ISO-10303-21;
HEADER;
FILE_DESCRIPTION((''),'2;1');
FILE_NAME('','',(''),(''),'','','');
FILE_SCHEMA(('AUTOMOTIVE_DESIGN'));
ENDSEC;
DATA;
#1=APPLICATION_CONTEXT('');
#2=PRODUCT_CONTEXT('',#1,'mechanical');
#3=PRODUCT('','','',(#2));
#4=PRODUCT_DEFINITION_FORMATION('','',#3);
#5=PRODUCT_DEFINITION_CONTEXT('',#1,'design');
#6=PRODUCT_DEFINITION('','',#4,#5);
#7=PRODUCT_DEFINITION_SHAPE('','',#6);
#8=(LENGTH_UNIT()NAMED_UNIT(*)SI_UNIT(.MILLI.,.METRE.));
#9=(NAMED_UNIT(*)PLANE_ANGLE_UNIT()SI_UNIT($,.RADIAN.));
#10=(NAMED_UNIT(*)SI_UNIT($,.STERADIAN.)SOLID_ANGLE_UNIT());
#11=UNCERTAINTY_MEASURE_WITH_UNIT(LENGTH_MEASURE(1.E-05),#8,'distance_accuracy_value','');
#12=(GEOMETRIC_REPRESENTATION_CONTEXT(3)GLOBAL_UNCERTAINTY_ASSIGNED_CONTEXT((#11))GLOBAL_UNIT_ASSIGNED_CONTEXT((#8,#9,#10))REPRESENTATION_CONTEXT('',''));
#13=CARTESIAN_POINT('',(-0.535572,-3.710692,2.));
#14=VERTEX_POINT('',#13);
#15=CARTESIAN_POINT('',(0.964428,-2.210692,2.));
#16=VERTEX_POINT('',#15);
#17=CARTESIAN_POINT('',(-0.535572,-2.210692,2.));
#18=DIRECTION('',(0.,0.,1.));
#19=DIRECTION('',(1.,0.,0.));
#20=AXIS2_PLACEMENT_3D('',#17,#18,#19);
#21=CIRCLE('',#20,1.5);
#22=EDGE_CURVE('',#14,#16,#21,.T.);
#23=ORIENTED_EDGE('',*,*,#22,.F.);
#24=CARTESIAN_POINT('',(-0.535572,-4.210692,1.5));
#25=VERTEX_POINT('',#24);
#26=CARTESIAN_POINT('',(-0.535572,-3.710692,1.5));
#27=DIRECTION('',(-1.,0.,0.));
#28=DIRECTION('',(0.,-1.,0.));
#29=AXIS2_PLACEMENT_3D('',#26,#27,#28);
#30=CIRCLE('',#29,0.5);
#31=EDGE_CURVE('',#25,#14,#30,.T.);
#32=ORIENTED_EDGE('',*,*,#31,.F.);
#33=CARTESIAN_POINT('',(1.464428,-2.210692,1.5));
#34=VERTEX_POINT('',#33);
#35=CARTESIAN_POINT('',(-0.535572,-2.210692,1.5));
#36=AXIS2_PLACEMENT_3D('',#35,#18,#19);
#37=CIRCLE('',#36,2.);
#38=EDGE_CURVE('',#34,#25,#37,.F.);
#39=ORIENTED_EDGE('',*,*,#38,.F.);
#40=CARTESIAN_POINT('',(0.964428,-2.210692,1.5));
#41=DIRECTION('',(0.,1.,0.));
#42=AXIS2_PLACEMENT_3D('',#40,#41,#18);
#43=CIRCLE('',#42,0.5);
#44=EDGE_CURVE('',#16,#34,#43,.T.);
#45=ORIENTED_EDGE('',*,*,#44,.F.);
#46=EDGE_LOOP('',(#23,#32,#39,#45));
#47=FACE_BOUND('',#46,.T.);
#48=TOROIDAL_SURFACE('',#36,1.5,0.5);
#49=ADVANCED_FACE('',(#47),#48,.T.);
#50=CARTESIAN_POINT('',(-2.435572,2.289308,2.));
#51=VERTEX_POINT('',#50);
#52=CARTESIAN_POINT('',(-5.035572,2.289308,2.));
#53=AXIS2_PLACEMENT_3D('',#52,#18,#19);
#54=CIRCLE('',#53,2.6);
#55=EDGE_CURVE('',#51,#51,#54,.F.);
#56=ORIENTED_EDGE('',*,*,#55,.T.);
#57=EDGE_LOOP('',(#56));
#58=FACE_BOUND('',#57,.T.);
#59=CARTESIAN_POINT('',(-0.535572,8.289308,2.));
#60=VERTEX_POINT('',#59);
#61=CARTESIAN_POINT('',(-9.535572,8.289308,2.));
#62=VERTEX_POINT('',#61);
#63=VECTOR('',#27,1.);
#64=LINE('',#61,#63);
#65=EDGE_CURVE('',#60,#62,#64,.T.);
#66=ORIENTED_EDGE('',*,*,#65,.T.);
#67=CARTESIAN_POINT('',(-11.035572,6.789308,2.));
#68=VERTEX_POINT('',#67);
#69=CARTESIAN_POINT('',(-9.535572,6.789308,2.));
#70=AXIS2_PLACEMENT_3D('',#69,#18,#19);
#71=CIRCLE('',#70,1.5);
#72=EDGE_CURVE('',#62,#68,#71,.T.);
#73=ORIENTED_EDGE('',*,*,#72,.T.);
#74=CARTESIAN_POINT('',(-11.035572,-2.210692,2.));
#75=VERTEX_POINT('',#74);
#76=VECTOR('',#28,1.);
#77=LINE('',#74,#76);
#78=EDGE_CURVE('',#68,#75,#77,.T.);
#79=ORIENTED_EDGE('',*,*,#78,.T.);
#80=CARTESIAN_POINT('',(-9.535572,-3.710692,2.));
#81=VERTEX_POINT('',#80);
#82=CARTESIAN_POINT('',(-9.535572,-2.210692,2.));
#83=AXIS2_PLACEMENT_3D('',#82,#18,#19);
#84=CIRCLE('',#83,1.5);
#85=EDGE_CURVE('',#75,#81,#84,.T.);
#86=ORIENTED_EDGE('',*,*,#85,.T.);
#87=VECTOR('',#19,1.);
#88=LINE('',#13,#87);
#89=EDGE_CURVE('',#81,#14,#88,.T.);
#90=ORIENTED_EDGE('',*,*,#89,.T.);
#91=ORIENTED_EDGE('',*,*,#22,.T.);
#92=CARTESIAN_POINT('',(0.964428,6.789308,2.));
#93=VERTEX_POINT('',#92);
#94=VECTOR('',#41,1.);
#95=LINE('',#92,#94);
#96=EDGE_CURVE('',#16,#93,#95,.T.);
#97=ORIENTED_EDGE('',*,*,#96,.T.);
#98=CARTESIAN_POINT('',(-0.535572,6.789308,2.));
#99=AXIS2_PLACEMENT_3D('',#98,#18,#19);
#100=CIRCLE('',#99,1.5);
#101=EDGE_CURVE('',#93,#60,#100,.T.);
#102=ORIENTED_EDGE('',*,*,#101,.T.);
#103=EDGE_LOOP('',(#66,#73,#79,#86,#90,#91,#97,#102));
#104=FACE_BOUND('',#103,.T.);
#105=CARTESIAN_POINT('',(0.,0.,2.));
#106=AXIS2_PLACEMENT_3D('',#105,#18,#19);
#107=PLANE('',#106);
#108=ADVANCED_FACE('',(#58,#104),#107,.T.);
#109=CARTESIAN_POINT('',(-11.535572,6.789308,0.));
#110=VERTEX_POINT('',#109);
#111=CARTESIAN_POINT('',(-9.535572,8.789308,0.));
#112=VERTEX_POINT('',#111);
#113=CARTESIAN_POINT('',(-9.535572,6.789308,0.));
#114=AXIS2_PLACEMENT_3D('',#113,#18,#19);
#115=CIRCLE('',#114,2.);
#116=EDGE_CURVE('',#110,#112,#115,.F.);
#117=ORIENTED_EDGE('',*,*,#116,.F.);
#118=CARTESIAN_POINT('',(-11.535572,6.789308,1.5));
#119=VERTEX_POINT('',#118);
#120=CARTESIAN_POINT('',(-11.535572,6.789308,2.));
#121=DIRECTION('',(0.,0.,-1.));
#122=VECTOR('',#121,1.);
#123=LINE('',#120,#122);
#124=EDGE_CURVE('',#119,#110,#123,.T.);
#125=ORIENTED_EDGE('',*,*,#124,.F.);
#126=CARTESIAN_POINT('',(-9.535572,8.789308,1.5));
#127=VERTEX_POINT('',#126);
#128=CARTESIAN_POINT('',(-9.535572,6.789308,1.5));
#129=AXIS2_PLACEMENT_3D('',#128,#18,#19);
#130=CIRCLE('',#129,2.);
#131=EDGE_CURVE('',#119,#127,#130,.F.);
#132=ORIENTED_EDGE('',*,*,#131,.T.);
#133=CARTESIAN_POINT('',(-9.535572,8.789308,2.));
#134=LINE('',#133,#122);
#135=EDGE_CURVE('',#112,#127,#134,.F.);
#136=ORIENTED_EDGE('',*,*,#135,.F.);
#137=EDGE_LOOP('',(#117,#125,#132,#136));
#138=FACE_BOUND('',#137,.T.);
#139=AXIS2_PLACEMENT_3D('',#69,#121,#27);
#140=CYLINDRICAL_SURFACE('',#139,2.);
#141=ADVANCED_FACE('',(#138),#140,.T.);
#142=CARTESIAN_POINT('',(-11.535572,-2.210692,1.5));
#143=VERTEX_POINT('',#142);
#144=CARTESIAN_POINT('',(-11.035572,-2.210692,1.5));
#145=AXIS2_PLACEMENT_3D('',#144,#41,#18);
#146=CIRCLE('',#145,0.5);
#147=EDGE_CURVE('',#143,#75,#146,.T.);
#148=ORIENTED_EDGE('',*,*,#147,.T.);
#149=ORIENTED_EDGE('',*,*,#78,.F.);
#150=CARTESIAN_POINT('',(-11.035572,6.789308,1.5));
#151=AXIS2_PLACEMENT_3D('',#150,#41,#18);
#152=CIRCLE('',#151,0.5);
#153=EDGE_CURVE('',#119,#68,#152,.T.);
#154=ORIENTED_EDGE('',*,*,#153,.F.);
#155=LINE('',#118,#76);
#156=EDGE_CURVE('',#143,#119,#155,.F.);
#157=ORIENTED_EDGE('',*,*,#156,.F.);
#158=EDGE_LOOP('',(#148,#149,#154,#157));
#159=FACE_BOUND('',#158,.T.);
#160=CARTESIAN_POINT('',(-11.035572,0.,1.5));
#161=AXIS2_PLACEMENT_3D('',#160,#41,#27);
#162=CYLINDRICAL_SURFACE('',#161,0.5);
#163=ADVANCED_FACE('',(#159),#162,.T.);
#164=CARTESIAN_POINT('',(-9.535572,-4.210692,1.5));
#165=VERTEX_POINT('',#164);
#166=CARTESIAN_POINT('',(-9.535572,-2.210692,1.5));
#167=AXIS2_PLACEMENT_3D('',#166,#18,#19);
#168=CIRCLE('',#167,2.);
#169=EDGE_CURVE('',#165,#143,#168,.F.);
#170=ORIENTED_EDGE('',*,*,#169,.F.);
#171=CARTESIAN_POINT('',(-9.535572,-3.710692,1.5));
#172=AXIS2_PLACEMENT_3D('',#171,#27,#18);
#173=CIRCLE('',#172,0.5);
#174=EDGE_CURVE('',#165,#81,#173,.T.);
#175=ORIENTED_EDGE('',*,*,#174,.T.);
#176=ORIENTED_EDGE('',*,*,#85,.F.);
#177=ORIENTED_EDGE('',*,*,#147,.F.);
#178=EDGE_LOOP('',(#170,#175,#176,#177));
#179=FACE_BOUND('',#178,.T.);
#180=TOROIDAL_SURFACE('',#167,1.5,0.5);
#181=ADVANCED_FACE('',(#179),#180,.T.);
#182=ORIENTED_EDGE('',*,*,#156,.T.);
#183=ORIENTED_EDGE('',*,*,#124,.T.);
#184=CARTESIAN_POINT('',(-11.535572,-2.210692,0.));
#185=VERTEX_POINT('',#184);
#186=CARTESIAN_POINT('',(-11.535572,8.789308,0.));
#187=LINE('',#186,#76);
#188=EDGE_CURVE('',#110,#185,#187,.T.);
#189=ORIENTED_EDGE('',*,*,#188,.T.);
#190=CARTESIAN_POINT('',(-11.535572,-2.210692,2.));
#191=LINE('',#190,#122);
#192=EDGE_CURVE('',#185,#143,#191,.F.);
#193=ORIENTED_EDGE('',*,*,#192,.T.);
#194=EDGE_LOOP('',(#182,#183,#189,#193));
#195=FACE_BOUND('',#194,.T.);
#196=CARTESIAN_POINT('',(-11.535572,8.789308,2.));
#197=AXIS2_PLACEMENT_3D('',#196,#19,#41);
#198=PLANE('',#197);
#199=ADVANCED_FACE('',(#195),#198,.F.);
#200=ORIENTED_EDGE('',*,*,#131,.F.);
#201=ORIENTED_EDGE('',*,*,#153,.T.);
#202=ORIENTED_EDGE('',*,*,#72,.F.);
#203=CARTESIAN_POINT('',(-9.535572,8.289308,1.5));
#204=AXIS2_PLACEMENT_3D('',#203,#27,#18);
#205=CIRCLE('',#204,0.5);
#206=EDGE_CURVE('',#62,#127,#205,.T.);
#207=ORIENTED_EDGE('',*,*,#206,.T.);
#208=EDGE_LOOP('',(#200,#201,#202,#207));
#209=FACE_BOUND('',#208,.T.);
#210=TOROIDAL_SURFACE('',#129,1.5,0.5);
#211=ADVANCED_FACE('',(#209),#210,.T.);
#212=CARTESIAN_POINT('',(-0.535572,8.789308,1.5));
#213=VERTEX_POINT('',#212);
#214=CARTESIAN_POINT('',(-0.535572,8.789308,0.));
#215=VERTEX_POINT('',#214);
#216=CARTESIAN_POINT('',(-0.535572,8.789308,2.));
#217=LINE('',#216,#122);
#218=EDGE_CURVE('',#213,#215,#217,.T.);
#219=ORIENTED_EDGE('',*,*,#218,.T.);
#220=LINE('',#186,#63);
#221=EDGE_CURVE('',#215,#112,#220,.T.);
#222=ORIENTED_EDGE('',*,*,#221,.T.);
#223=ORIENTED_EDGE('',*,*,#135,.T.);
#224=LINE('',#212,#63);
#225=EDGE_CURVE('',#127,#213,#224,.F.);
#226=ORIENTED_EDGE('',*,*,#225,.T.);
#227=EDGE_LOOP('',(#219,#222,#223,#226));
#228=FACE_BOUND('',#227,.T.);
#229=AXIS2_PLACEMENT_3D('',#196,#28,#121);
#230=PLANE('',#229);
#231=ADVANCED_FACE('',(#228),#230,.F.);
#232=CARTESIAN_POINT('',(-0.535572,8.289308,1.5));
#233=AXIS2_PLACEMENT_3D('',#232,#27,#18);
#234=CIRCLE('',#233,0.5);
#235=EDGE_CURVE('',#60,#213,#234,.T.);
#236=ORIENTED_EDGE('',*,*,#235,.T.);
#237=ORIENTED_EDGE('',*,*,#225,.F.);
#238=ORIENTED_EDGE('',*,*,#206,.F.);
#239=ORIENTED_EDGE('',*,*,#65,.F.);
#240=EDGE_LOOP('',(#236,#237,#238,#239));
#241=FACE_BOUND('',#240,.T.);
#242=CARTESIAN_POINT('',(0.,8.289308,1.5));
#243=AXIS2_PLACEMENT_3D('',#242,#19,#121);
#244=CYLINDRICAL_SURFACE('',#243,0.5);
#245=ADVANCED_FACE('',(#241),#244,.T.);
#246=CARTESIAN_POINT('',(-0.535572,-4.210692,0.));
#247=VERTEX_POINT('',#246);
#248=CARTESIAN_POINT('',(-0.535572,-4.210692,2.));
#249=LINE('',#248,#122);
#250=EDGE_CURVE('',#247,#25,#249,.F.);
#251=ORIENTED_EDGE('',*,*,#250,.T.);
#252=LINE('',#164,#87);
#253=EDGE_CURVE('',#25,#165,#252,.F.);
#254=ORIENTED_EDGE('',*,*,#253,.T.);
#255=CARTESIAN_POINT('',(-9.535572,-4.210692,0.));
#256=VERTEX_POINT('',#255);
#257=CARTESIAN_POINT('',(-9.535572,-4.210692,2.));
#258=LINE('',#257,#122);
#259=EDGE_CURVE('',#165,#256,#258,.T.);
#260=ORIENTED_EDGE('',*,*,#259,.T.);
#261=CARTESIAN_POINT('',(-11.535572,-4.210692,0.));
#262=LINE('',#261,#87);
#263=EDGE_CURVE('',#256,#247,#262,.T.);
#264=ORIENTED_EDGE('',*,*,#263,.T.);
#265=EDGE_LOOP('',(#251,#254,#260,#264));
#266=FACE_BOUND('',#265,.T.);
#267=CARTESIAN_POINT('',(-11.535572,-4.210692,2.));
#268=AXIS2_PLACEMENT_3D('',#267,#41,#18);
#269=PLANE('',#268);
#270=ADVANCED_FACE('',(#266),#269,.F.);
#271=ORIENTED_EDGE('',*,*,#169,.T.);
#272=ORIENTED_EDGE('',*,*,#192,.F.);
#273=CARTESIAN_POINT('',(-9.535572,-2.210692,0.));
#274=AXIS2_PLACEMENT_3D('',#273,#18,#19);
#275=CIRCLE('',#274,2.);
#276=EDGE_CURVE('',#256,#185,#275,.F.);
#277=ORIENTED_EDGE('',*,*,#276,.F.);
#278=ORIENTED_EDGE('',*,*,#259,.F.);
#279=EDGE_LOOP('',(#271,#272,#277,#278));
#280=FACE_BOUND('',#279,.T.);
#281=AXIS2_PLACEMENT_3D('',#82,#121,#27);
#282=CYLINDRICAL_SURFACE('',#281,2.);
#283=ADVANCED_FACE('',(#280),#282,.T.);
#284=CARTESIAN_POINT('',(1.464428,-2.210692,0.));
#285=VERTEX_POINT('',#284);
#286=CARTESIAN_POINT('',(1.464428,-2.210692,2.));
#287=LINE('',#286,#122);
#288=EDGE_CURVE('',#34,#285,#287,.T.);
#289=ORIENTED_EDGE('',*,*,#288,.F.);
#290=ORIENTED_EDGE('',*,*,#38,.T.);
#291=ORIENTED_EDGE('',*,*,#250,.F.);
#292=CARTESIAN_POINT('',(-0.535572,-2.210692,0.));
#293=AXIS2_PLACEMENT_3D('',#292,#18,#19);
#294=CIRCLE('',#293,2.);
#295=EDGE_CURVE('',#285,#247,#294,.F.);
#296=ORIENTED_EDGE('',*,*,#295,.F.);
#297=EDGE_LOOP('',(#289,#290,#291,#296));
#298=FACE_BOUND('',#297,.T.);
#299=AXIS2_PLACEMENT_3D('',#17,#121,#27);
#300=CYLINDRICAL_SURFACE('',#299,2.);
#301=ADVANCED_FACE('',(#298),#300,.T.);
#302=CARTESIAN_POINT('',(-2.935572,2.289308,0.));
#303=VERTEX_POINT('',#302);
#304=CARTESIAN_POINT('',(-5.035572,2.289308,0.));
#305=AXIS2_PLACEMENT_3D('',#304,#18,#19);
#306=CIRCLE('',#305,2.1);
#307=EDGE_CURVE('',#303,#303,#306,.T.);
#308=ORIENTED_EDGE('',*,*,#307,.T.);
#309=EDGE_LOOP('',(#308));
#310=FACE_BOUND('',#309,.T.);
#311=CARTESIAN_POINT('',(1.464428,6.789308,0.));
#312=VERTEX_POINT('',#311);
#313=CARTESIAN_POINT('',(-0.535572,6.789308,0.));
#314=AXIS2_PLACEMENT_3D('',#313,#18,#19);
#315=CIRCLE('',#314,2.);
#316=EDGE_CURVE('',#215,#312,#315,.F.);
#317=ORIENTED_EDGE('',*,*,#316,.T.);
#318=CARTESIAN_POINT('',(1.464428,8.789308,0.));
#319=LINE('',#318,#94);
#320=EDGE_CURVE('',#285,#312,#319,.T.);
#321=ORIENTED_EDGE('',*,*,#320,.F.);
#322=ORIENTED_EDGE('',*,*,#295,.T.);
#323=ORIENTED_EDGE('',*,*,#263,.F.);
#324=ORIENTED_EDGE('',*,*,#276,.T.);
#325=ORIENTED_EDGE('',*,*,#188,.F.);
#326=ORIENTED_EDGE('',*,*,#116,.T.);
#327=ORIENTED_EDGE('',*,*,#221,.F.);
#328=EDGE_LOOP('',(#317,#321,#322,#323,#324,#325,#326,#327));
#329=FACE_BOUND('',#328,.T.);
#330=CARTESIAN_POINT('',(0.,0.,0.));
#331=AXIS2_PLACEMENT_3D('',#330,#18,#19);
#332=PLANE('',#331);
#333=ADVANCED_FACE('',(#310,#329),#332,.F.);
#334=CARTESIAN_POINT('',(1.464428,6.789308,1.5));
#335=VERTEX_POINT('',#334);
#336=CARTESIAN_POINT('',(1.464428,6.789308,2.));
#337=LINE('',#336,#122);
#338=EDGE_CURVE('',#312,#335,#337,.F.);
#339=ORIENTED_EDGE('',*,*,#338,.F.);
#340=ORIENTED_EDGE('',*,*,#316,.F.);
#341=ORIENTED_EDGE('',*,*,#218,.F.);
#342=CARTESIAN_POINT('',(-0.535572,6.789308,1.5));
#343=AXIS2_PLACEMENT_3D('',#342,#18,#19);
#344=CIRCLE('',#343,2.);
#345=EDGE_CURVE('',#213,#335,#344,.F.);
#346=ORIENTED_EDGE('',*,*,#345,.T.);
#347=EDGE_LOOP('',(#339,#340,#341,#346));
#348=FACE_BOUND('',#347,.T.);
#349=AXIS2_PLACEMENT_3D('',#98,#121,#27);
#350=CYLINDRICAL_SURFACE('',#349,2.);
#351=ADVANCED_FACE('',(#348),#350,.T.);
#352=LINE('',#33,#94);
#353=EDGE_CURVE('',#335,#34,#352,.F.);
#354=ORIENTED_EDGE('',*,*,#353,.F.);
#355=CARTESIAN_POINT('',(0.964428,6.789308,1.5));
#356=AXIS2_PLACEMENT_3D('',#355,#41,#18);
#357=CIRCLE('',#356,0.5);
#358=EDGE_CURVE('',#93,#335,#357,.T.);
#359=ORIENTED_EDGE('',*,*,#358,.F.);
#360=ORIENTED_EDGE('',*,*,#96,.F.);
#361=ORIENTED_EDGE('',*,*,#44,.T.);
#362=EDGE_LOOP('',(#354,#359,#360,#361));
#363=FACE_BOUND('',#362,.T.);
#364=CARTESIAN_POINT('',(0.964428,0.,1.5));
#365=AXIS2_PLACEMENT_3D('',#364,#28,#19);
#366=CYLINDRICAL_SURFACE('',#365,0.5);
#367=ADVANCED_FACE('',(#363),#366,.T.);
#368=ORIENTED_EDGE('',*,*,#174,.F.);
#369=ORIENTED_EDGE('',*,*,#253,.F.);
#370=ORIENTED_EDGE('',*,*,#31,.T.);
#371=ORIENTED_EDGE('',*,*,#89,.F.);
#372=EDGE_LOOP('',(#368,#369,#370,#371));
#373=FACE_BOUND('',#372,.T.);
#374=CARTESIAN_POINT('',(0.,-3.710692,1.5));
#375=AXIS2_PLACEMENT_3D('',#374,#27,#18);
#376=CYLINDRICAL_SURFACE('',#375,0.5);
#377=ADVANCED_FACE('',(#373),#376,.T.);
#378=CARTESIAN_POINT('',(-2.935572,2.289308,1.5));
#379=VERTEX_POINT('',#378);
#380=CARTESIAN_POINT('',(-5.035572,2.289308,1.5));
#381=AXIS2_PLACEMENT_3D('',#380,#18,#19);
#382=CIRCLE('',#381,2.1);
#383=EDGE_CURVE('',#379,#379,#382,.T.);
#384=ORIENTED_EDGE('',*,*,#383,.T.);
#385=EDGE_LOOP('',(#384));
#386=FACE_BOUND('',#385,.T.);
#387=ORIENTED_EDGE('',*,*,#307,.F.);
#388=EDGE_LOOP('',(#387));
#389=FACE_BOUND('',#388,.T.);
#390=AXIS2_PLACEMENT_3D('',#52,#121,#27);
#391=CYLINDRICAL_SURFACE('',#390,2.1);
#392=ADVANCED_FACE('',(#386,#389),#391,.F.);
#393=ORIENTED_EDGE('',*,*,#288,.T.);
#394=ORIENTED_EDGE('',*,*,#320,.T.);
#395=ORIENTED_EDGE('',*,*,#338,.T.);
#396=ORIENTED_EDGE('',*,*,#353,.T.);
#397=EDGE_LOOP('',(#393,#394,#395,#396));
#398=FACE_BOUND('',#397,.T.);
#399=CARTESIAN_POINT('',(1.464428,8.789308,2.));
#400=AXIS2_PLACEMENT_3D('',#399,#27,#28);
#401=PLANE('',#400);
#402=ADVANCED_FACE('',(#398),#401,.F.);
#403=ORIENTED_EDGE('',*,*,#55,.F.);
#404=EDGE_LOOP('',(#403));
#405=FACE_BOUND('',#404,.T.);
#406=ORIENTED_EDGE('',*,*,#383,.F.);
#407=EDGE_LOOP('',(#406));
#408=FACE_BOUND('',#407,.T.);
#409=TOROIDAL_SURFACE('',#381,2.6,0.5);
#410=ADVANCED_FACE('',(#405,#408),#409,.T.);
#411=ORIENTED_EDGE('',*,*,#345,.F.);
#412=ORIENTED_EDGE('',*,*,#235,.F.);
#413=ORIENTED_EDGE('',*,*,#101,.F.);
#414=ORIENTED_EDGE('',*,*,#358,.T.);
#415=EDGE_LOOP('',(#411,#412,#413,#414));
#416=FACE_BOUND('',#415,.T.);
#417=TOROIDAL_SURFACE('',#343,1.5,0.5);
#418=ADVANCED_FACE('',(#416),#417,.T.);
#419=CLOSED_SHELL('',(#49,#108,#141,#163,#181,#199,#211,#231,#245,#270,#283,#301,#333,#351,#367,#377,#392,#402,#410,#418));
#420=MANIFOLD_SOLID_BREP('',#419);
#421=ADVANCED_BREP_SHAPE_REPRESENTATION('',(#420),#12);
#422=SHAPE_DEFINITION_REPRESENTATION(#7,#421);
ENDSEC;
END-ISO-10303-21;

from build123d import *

# Parameters (mm, degrees)
ESQUISSE1_W        = 13
ESQUISSE1_H        = 13
ESQUISSE1_R        = 2.1
BOSS_EXTRU_1_DEPTH = 2
CONG_1_R           = 2
CONG_2_R           = 0.5


with BuildPart() as part:
    # Esquisse1 → Boss.-Extru.1 (new body)
    with BuildSketch(Plane.XY):
        with Locations((-5.035571526, 2.289308176)):
            Rectangle(ESQUISSE1_W, ESQUISSE1_H)
        with Locations((-5.035571526, 2.289308176)):
            Circle(ESQUISSE1_R, mode=Mode.SUBTRACT)
    extrude(amount=BOSS_EXTRU_1_DEPTH)

    # Congé1
    cong_1_edges = [part.edges().sort_by_distance(p)[0] for p in [
        (1.464428474, -4.210691824, 1),
        (-11.535571526, -4.210691824, 1),
        (-11.535571526, 8.789308176, 1),
        (1.464428474, 8.789308176, 1),
    ]]
    fillet(cong_1_edges, radius=CONG_1_R)

    # Congé2
    cong_2_edges = [part.edges().sort_by_distance(p)[0] for p in [
        (-7.135571526, 2.289308176, 2),
        (-5.035571526, -4.210691824, 2),
        (-11.535571526, 2.289308176, 2),
        (1.464428474, 2.289308176, 2),
        (-5.035571526, 8.789308176, 2),
        (0.878642036, 8.203521738, 2),
        (-10.949785089, 8.203521738, 2),
        (0.878642036, -3.624905386, 2),
        (-10.949785089, -3.624905386, 2),
    ]]
    fillet(cong_2_edges, radius=CONG_2_R)


solid = part.part
